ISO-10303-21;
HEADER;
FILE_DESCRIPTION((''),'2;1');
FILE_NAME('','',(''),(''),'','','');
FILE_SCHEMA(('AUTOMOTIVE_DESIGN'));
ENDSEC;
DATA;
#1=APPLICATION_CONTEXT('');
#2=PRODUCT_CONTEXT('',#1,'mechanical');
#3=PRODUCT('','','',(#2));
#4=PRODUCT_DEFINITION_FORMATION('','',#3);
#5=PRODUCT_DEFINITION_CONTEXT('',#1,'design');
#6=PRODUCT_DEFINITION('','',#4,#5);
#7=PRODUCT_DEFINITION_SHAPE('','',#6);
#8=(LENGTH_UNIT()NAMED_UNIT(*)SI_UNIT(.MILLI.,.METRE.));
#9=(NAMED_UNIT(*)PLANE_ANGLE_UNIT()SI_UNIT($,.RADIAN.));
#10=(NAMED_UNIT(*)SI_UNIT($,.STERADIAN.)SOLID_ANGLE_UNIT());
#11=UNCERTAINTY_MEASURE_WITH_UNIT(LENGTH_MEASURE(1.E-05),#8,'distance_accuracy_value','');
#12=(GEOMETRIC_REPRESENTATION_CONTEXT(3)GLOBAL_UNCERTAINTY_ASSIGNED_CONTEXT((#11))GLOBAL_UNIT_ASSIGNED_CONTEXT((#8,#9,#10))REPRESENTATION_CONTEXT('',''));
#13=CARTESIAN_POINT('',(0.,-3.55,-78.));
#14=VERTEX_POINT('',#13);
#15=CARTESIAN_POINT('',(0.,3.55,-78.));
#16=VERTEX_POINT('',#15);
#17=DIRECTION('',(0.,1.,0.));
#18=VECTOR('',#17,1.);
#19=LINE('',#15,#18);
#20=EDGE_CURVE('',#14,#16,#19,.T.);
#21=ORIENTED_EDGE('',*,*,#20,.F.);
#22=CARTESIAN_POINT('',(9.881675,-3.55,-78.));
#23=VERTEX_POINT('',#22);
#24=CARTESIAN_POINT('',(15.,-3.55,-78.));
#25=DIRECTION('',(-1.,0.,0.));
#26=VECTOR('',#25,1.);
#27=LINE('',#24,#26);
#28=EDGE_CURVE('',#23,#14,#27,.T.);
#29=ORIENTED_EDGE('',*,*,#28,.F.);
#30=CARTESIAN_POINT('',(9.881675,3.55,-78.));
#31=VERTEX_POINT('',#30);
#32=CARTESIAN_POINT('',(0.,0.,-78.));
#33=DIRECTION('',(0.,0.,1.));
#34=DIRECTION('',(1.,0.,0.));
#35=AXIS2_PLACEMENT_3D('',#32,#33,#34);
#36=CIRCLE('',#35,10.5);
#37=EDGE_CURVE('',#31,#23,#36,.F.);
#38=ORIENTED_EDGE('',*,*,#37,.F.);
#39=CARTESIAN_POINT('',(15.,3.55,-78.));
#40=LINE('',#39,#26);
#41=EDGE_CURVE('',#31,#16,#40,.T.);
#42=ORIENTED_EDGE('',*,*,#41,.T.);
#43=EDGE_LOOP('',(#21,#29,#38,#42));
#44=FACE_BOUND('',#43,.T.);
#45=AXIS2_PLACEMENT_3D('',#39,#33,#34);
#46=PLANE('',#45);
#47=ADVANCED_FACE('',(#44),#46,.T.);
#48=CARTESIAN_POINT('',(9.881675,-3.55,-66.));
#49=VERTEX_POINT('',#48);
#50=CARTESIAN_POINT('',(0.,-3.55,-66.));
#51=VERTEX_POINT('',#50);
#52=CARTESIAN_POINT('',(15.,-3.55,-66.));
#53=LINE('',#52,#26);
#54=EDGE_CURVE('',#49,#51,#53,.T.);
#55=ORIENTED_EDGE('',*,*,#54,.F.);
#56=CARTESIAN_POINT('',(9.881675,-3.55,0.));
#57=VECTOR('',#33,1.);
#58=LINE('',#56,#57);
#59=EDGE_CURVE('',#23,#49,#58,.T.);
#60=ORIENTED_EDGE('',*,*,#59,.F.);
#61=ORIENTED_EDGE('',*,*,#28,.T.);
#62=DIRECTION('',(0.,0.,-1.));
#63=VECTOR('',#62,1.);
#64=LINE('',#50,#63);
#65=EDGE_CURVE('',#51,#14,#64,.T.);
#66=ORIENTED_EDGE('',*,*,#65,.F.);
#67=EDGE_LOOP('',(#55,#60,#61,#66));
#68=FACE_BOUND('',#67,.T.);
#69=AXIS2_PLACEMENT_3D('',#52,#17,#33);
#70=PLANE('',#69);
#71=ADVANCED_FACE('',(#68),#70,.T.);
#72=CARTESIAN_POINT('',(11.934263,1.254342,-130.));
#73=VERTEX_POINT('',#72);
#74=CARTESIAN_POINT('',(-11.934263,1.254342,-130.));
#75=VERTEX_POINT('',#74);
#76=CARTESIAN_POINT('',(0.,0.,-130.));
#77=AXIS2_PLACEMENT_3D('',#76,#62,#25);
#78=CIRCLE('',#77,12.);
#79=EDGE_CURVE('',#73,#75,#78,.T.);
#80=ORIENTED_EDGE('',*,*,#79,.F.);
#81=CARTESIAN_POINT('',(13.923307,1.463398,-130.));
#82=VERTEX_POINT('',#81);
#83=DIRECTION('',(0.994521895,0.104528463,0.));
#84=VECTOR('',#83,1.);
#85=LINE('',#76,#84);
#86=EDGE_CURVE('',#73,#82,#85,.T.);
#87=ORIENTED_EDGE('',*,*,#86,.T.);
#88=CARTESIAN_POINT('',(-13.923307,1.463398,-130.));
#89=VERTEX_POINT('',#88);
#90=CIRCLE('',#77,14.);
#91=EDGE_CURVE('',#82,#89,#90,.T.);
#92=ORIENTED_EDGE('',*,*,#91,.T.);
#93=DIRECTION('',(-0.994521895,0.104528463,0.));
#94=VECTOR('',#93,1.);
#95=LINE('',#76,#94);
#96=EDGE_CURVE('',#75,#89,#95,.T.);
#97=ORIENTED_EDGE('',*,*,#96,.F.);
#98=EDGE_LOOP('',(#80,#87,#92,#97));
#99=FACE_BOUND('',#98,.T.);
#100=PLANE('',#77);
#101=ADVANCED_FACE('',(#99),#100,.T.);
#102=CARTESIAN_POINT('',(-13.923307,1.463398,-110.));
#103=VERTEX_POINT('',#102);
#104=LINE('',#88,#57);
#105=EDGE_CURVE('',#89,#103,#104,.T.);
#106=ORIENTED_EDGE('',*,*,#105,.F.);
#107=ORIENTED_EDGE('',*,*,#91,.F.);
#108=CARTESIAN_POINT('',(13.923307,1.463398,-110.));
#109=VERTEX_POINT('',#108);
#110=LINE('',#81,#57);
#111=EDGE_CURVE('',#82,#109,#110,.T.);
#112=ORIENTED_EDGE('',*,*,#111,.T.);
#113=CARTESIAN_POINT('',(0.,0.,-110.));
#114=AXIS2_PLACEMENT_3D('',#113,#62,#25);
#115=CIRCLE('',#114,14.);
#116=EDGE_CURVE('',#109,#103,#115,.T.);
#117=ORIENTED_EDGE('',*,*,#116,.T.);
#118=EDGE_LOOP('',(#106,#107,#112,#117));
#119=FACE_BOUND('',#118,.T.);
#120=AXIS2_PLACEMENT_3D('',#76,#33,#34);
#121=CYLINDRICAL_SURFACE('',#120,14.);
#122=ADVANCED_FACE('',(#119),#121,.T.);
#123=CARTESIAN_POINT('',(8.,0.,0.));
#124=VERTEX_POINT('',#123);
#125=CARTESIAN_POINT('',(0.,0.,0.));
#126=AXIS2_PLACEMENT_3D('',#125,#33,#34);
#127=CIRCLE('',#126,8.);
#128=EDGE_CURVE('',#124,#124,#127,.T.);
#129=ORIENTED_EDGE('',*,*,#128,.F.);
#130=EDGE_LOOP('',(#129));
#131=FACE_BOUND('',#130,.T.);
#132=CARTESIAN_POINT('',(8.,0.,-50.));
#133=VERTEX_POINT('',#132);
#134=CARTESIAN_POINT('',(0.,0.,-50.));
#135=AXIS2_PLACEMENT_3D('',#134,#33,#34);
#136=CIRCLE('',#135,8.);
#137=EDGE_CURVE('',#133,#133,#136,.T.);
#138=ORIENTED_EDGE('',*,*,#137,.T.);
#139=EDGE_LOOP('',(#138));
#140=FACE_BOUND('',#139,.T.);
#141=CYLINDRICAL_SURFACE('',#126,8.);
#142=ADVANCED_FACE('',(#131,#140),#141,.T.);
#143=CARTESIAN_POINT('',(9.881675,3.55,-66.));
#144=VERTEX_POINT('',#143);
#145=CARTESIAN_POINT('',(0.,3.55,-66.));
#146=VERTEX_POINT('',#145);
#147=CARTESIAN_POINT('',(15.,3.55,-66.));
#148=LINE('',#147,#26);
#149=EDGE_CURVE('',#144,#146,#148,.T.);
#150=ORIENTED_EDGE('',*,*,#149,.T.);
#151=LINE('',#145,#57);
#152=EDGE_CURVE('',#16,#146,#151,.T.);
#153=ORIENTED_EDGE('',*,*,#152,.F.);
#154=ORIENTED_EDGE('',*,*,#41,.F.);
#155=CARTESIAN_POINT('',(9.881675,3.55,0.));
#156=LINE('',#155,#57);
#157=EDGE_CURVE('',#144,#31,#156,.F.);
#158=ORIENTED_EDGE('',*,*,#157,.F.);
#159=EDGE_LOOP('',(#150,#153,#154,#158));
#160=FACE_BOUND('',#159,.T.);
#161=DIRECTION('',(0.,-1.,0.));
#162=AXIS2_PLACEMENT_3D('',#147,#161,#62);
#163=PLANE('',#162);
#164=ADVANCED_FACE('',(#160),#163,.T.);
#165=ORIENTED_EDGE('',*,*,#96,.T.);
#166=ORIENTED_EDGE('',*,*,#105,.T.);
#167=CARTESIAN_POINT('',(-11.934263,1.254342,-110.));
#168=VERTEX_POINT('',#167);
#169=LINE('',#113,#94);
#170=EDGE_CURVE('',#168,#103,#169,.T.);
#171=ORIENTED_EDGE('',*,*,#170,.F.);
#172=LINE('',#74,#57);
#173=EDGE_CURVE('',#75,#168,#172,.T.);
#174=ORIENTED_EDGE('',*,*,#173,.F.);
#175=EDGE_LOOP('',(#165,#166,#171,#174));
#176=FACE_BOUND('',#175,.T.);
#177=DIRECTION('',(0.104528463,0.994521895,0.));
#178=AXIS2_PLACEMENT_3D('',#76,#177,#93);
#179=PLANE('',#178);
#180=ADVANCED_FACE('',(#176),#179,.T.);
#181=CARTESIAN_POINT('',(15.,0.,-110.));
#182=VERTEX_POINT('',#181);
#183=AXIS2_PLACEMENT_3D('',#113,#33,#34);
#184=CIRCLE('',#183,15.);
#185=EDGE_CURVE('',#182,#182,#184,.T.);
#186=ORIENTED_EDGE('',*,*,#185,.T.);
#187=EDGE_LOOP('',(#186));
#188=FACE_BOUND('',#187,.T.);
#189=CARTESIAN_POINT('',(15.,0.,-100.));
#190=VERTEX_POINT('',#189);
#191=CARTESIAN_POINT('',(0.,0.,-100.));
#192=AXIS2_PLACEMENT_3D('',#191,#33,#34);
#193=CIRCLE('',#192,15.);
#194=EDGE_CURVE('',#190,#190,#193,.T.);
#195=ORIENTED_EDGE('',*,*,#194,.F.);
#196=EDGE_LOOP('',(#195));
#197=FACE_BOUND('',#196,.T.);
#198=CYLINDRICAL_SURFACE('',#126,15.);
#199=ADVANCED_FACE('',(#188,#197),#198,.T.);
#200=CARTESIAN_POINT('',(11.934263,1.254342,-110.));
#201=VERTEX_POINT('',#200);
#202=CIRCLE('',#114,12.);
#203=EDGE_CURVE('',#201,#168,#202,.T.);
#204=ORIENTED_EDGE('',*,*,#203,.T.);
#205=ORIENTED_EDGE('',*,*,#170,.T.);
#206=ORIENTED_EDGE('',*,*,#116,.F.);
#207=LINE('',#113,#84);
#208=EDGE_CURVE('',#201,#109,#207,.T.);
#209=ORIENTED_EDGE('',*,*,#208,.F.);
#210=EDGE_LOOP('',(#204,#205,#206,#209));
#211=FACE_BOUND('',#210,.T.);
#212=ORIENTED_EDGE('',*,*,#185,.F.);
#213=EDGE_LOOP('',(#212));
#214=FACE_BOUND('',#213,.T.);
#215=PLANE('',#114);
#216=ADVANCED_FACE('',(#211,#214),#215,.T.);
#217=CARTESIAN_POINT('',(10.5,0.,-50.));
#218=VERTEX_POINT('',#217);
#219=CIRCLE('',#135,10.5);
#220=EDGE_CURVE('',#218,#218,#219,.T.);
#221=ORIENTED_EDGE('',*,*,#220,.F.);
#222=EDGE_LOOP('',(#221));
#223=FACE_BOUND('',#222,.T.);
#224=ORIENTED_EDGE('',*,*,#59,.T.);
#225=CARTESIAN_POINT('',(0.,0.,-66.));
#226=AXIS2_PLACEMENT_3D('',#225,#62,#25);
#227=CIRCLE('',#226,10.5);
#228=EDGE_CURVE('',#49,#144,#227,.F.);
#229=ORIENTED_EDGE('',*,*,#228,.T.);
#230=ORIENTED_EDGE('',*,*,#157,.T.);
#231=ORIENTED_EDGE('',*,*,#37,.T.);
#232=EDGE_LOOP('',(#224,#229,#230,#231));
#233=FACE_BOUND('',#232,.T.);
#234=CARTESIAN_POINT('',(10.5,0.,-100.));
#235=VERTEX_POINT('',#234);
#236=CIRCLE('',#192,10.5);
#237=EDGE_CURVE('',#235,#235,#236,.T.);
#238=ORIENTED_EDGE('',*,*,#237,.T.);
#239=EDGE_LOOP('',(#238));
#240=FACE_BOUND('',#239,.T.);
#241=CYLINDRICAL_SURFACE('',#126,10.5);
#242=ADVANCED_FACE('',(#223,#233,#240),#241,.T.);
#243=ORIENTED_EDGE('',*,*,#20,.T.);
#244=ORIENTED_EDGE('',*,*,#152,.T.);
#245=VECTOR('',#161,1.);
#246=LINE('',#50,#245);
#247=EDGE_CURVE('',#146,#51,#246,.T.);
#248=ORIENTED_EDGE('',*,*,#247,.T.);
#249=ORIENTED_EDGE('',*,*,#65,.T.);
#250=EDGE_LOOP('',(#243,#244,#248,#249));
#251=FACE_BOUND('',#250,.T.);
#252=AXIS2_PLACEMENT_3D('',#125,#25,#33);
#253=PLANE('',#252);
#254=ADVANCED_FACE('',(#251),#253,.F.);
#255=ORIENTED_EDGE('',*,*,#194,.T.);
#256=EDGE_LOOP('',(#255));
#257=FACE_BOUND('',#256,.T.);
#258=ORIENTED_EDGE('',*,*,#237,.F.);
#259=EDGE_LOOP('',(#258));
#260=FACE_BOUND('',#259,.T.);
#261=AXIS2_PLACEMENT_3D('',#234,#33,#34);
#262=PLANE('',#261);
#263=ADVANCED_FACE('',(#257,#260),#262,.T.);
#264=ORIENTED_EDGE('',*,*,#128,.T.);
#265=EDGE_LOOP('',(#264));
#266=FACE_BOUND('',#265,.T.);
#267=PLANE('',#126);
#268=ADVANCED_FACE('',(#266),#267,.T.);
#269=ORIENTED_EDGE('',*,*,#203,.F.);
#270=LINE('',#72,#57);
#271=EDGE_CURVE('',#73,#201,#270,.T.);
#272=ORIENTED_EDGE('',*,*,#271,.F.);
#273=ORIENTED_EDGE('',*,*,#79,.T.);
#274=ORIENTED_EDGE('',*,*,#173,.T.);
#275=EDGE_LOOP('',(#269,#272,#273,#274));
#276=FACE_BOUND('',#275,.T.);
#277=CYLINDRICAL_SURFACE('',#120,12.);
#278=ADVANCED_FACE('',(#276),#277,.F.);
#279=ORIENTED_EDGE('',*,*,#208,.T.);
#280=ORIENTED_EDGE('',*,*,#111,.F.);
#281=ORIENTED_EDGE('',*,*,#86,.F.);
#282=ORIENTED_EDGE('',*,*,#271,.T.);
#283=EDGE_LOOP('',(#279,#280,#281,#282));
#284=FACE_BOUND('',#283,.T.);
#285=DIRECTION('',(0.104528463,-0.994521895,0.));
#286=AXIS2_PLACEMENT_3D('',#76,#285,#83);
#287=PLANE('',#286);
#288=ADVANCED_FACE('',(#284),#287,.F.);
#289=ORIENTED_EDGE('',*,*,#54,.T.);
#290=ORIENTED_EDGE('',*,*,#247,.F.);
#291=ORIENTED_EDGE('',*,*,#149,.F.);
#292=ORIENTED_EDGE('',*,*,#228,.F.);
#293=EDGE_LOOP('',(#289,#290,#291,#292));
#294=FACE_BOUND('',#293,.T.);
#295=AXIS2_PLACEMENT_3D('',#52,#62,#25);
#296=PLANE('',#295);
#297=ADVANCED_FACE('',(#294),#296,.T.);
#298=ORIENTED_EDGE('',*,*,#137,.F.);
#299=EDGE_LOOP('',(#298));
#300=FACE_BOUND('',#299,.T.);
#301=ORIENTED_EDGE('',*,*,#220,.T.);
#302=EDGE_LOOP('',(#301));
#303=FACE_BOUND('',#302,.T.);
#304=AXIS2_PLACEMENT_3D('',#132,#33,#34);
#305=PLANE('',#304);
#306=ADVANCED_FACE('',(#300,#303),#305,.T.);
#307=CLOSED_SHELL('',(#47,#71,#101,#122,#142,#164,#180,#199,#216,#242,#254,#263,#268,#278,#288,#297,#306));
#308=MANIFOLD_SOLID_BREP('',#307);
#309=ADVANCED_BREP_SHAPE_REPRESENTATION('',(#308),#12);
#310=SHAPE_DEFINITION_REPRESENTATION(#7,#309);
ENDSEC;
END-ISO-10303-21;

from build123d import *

# Parameters (mm, degrees)
BOSS_EXTRUDE3_DEPTH = 20
SKETCH4_W           = 12
SKETCH4_H           = 7.1
CUT_EXTRUDE1_DEPTH  = 132.719398723


with BuildPart() as part:
    # Sketch2 → Revolve4 (revolve)
    with BuildSketch(Plane(origin=(0, 0, 0), x_dir=(1, 0, 0), z_dir=(0, 1, 0))):
        Polygon((0, 0), (8, 0), (8, 50), (10.5, 50), (10.5, 100), (15, 100), (15, 110), (0, 110), align=None)
    revolve(axis=Axis((0, 0, 0), (0, 0, -1)))

    # Sketch3 → Boss-Extrude3 (add)
    with BuildSketch(Plane(origin=(0, 0, -110), x_dir=(-1, 0, 0), z_dir=(0, 0, -1))):
        with BuildLine():
            Line((-14, 0), (-12, 0))
            ThreePointArc((-12, 0), (-11.983554417, 0.628031475), (-11.934262744, 1.254341559))
            Line((-11.934262744, 1.254341559), (-13.923306535, 1.463398486))
            ThreePointArc((-13.923306535, 1.463398486), (-13.980813487, 0.732703387), (-14, 0))
        make_face()
        with BuildLine():
            Line((14, 0), (12, 0))
            ThreePointArc((12, 0), (0, -12), (-12, 0))
            Line((-12, 0), (-14, 0))
            ThreePointArc((-14, 0), (0, -14), (14, 0))
        make_face()
        with BuildLine():
            ThreePointArc((11.934262744, 1.254341559), (11.983554417, 0.628031475), (12, 0))
            Line((12, 0), (14, 0))
            ThreePointArc((14, 0), (13.980813487, 0.732703387), (13.923306535, 1.463398486))
            Line((13.923306535, 1.463398486), (11.934262744, 1.254341559))
        make_face()
    extrude(amount=BOSS_EXTRUDE3_DEPTH)

    # Sketch4 → Cut-Extrude1 (cut, through all)
    with BuildSketch(Plane(origin=(0, 0, 0), x_dir=(0, 0, -1), z_dir=(1, 0, 0))):
        with Locations((72, 0)):
            Rectangle(SKETCH4_W, SKETCH4_H)
    extrude(amount=CUT_EXTRUDE1_DEPTH, mode=Mode.SUBTRACT)


solid = part.part
